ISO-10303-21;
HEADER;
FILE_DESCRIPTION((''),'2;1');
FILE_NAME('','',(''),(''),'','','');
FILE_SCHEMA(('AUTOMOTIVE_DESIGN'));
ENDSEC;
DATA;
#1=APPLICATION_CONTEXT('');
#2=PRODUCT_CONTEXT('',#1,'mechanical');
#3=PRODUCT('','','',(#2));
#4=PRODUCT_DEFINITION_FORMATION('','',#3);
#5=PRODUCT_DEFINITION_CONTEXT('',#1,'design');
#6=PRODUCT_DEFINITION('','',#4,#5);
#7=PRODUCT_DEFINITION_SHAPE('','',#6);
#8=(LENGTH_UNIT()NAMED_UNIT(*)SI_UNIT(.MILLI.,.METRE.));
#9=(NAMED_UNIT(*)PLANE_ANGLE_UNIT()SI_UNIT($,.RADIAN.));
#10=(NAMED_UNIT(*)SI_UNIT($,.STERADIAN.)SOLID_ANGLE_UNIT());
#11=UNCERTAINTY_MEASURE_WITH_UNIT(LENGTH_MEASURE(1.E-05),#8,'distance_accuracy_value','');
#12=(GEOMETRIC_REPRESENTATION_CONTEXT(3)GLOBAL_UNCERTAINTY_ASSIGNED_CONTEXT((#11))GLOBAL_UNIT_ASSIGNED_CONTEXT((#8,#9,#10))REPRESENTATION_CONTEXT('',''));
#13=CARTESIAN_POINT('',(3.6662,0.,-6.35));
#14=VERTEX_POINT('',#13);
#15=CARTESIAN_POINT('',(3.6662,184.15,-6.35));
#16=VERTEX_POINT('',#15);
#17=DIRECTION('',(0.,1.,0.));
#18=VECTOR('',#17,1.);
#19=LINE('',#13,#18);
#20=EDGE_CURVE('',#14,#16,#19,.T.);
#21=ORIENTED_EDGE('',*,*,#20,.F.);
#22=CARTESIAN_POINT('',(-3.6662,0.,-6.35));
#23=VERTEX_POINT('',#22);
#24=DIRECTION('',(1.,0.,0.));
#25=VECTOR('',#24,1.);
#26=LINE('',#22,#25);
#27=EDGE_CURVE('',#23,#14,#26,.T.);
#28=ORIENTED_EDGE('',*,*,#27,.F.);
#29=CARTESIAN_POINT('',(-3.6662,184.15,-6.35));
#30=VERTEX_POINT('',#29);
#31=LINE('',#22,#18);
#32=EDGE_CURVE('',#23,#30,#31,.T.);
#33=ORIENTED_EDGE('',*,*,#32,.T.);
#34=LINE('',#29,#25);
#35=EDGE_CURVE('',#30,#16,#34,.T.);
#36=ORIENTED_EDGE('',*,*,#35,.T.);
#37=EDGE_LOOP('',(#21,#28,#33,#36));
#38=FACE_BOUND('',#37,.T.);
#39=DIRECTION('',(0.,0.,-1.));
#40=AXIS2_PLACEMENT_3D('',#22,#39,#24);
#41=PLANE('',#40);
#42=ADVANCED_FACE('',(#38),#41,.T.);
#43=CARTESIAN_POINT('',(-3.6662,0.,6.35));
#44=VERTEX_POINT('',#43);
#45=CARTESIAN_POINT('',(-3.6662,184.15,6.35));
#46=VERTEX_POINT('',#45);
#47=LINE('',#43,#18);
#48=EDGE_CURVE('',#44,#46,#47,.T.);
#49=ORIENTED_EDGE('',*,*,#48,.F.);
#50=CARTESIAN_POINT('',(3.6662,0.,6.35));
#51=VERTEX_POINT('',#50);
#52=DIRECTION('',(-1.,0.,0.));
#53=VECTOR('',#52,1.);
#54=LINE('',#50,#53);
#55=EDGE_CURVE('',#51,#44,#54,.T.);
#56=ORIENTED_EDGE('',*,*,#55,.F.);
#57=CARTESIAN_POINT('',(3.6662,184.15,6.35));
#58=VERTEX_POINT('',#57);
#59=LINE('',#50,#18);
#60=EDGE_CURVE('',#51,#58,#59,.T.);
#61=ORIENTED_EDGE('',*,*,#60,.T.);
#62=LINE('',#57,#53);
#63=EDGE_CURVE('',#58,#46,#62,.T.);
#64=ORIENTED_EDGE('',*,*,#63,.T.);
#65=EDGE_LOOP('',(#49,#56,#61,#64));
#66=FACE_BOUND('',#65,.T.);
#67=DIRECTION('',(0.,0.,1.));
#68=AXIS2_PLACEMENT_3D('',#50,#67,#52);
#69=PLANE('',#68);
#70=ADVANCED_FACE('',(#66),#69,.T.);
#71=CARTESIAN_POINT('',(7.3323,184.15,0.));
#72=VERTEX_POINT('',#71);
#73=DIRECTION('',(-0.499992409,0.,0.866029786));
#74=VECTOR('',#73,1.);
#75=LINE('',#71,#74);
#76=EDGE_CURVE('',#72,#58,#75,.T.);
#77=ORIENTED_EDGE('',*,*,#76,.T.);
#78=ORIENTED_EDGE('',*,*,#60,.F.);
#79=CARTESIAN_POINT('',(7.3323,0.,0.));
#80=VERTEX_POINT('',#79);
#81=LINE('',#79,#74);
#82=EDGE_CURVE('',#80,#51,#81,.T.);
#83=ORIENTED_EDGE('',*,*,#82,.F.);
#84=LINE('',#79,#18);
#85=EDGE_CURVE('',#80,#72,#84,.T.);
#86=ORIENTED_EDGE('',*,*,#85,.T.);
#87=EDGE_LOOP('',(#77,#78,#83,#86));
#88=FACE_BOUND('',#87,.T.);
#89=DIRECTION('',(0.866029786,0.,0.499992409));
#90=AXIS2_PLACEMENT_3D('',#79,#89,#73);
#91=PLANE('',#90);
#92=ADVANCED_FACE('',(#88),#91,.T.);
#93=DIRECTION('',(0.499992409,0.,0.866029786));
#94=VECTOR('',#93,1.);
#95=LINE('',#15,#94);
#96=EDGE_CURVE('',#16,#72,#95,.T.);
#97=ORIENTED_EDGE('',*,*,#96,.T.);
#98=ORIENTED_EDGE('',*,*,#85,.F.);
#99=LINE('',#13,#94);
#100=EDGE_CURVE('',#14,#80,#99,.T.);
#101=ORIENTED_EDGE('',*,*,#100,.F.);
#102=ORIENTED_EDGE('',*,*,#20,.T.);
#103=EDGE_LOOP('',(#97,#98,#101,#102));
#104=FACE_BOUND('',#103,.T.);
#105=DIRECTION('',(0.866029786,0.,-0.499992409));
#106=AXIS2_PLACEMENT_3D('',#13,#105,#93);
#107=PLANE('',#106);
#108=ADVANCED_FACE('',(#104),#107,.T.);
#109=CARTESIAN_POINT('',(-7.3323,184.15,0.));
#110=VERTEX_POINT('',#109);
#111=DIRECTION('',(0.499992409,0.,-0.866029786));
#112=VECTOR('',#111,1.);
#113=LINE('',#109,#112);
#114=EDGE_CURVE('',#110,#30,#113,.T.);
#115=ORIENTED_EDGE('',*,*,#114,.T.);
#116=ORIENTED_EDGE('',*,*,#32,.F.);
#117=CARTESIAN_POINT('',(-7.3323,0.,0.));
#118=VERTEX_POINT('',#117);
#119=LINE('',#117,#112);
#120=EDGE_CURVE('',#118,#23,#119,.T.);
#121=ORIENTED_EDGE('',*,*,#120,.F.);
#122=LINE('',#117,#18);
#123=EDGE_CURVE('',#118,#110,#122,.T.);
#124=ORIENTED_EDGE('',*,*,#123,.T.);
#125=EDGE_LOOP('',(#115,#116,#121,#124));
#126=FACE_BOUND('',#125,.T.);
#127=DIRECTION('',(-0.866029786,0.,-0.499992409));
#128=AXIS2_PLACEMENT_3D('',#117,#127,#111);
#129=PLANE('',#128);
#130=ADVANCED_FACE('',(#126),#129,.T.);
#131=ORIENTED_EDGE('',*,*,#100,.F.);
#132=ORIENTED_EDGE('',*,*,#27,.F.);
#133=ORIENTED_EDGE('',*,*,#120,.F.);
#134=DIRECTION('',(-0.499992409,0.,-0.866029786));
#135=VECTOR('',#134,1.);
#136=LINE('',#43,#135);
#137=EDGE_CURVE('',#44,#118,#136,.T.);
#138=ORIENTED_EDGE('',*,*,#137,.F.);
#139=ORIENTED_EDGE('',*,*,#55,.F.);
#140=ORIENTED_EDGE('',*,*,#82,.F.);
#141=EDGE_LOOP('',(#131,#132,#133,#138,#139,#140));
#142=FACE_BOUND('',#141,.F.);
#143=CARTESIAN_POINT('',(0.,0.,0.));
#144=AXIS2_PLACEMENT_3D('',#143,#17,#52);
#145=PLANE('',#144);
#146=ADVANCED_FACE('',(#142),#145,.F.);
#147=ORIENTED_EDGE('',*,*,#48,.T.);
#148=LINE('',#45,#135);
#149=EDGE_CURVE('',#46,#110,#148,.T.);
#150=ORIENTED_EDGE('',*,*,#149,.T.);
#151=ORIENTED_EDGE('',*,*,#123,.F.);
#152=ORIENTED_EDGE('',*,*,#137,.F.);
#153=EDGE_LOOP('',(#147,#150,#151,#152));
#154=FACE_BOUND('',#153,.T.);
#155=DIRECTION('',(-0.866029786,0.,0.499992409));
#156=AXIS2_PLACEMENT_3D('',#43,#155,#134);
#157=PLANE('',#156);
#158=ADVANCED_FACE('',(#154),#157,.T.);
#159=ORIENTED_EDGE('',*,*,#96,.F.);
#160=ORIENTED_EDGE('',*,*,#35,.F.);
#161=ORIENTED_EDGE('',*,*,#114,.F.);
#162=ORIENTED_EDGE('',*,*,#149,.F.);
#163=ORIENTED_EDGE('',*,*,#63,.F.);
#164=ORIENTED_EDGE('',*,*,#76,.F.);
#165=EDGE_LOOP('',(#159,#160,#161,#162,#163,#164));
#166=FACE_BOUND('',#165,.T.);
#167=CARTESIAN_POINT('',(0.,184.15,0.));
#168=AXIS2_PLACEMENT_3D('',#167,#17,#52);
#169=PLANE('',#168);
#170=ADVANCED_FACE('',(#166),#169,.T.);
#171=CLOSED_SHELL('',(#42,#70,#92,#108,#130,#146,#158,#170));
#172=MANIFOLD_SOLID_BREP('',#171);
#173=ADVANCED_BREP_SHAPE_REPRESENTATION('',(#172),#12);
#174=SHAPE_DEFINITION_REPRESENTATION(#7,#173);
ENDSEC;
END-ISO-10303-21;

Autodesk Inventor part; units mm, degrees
ref_plane "YZ Plane" through (0, 0, 0) normal (1, 0, 0) x (0, 1, 0)
ref_plane "XZ Plane" through (0, 0, 0) normal (0, 1, 0) x (-1, 0, 0)
ref_plane "XY Plane" through (0, 0, 0) normal (0, 0, 1) x (1, 0, 0)
sketch "Sketch1" plane through (0, 0, 0) normal (0, 1, 0) x (-1, 0, 0)
  line L0 (7.3323, 0) -> (3.6662, -6.35)
  line L1 (3.6662, -6.35) -> (-3.6662, -6.35)
  line L2 (-3.6662, -6.35) -> (-7.3323, 0)
  line L3 (-7.3323, 0) -> (-3.6662, 6.35)
  line L4 (-3.6662, 6.35) -> (3.6662, 6.35)
  line L5 (3.6662, 6.35) -> (7.3323, 0)
  point P0 (0, 0)
  point P1 (0, 0)
  dimension "d0" = 12.7
extrude "Extrusion1" add sketch "Sketch1" along normal blind 184.15
properties part number "Hex Shaft"
